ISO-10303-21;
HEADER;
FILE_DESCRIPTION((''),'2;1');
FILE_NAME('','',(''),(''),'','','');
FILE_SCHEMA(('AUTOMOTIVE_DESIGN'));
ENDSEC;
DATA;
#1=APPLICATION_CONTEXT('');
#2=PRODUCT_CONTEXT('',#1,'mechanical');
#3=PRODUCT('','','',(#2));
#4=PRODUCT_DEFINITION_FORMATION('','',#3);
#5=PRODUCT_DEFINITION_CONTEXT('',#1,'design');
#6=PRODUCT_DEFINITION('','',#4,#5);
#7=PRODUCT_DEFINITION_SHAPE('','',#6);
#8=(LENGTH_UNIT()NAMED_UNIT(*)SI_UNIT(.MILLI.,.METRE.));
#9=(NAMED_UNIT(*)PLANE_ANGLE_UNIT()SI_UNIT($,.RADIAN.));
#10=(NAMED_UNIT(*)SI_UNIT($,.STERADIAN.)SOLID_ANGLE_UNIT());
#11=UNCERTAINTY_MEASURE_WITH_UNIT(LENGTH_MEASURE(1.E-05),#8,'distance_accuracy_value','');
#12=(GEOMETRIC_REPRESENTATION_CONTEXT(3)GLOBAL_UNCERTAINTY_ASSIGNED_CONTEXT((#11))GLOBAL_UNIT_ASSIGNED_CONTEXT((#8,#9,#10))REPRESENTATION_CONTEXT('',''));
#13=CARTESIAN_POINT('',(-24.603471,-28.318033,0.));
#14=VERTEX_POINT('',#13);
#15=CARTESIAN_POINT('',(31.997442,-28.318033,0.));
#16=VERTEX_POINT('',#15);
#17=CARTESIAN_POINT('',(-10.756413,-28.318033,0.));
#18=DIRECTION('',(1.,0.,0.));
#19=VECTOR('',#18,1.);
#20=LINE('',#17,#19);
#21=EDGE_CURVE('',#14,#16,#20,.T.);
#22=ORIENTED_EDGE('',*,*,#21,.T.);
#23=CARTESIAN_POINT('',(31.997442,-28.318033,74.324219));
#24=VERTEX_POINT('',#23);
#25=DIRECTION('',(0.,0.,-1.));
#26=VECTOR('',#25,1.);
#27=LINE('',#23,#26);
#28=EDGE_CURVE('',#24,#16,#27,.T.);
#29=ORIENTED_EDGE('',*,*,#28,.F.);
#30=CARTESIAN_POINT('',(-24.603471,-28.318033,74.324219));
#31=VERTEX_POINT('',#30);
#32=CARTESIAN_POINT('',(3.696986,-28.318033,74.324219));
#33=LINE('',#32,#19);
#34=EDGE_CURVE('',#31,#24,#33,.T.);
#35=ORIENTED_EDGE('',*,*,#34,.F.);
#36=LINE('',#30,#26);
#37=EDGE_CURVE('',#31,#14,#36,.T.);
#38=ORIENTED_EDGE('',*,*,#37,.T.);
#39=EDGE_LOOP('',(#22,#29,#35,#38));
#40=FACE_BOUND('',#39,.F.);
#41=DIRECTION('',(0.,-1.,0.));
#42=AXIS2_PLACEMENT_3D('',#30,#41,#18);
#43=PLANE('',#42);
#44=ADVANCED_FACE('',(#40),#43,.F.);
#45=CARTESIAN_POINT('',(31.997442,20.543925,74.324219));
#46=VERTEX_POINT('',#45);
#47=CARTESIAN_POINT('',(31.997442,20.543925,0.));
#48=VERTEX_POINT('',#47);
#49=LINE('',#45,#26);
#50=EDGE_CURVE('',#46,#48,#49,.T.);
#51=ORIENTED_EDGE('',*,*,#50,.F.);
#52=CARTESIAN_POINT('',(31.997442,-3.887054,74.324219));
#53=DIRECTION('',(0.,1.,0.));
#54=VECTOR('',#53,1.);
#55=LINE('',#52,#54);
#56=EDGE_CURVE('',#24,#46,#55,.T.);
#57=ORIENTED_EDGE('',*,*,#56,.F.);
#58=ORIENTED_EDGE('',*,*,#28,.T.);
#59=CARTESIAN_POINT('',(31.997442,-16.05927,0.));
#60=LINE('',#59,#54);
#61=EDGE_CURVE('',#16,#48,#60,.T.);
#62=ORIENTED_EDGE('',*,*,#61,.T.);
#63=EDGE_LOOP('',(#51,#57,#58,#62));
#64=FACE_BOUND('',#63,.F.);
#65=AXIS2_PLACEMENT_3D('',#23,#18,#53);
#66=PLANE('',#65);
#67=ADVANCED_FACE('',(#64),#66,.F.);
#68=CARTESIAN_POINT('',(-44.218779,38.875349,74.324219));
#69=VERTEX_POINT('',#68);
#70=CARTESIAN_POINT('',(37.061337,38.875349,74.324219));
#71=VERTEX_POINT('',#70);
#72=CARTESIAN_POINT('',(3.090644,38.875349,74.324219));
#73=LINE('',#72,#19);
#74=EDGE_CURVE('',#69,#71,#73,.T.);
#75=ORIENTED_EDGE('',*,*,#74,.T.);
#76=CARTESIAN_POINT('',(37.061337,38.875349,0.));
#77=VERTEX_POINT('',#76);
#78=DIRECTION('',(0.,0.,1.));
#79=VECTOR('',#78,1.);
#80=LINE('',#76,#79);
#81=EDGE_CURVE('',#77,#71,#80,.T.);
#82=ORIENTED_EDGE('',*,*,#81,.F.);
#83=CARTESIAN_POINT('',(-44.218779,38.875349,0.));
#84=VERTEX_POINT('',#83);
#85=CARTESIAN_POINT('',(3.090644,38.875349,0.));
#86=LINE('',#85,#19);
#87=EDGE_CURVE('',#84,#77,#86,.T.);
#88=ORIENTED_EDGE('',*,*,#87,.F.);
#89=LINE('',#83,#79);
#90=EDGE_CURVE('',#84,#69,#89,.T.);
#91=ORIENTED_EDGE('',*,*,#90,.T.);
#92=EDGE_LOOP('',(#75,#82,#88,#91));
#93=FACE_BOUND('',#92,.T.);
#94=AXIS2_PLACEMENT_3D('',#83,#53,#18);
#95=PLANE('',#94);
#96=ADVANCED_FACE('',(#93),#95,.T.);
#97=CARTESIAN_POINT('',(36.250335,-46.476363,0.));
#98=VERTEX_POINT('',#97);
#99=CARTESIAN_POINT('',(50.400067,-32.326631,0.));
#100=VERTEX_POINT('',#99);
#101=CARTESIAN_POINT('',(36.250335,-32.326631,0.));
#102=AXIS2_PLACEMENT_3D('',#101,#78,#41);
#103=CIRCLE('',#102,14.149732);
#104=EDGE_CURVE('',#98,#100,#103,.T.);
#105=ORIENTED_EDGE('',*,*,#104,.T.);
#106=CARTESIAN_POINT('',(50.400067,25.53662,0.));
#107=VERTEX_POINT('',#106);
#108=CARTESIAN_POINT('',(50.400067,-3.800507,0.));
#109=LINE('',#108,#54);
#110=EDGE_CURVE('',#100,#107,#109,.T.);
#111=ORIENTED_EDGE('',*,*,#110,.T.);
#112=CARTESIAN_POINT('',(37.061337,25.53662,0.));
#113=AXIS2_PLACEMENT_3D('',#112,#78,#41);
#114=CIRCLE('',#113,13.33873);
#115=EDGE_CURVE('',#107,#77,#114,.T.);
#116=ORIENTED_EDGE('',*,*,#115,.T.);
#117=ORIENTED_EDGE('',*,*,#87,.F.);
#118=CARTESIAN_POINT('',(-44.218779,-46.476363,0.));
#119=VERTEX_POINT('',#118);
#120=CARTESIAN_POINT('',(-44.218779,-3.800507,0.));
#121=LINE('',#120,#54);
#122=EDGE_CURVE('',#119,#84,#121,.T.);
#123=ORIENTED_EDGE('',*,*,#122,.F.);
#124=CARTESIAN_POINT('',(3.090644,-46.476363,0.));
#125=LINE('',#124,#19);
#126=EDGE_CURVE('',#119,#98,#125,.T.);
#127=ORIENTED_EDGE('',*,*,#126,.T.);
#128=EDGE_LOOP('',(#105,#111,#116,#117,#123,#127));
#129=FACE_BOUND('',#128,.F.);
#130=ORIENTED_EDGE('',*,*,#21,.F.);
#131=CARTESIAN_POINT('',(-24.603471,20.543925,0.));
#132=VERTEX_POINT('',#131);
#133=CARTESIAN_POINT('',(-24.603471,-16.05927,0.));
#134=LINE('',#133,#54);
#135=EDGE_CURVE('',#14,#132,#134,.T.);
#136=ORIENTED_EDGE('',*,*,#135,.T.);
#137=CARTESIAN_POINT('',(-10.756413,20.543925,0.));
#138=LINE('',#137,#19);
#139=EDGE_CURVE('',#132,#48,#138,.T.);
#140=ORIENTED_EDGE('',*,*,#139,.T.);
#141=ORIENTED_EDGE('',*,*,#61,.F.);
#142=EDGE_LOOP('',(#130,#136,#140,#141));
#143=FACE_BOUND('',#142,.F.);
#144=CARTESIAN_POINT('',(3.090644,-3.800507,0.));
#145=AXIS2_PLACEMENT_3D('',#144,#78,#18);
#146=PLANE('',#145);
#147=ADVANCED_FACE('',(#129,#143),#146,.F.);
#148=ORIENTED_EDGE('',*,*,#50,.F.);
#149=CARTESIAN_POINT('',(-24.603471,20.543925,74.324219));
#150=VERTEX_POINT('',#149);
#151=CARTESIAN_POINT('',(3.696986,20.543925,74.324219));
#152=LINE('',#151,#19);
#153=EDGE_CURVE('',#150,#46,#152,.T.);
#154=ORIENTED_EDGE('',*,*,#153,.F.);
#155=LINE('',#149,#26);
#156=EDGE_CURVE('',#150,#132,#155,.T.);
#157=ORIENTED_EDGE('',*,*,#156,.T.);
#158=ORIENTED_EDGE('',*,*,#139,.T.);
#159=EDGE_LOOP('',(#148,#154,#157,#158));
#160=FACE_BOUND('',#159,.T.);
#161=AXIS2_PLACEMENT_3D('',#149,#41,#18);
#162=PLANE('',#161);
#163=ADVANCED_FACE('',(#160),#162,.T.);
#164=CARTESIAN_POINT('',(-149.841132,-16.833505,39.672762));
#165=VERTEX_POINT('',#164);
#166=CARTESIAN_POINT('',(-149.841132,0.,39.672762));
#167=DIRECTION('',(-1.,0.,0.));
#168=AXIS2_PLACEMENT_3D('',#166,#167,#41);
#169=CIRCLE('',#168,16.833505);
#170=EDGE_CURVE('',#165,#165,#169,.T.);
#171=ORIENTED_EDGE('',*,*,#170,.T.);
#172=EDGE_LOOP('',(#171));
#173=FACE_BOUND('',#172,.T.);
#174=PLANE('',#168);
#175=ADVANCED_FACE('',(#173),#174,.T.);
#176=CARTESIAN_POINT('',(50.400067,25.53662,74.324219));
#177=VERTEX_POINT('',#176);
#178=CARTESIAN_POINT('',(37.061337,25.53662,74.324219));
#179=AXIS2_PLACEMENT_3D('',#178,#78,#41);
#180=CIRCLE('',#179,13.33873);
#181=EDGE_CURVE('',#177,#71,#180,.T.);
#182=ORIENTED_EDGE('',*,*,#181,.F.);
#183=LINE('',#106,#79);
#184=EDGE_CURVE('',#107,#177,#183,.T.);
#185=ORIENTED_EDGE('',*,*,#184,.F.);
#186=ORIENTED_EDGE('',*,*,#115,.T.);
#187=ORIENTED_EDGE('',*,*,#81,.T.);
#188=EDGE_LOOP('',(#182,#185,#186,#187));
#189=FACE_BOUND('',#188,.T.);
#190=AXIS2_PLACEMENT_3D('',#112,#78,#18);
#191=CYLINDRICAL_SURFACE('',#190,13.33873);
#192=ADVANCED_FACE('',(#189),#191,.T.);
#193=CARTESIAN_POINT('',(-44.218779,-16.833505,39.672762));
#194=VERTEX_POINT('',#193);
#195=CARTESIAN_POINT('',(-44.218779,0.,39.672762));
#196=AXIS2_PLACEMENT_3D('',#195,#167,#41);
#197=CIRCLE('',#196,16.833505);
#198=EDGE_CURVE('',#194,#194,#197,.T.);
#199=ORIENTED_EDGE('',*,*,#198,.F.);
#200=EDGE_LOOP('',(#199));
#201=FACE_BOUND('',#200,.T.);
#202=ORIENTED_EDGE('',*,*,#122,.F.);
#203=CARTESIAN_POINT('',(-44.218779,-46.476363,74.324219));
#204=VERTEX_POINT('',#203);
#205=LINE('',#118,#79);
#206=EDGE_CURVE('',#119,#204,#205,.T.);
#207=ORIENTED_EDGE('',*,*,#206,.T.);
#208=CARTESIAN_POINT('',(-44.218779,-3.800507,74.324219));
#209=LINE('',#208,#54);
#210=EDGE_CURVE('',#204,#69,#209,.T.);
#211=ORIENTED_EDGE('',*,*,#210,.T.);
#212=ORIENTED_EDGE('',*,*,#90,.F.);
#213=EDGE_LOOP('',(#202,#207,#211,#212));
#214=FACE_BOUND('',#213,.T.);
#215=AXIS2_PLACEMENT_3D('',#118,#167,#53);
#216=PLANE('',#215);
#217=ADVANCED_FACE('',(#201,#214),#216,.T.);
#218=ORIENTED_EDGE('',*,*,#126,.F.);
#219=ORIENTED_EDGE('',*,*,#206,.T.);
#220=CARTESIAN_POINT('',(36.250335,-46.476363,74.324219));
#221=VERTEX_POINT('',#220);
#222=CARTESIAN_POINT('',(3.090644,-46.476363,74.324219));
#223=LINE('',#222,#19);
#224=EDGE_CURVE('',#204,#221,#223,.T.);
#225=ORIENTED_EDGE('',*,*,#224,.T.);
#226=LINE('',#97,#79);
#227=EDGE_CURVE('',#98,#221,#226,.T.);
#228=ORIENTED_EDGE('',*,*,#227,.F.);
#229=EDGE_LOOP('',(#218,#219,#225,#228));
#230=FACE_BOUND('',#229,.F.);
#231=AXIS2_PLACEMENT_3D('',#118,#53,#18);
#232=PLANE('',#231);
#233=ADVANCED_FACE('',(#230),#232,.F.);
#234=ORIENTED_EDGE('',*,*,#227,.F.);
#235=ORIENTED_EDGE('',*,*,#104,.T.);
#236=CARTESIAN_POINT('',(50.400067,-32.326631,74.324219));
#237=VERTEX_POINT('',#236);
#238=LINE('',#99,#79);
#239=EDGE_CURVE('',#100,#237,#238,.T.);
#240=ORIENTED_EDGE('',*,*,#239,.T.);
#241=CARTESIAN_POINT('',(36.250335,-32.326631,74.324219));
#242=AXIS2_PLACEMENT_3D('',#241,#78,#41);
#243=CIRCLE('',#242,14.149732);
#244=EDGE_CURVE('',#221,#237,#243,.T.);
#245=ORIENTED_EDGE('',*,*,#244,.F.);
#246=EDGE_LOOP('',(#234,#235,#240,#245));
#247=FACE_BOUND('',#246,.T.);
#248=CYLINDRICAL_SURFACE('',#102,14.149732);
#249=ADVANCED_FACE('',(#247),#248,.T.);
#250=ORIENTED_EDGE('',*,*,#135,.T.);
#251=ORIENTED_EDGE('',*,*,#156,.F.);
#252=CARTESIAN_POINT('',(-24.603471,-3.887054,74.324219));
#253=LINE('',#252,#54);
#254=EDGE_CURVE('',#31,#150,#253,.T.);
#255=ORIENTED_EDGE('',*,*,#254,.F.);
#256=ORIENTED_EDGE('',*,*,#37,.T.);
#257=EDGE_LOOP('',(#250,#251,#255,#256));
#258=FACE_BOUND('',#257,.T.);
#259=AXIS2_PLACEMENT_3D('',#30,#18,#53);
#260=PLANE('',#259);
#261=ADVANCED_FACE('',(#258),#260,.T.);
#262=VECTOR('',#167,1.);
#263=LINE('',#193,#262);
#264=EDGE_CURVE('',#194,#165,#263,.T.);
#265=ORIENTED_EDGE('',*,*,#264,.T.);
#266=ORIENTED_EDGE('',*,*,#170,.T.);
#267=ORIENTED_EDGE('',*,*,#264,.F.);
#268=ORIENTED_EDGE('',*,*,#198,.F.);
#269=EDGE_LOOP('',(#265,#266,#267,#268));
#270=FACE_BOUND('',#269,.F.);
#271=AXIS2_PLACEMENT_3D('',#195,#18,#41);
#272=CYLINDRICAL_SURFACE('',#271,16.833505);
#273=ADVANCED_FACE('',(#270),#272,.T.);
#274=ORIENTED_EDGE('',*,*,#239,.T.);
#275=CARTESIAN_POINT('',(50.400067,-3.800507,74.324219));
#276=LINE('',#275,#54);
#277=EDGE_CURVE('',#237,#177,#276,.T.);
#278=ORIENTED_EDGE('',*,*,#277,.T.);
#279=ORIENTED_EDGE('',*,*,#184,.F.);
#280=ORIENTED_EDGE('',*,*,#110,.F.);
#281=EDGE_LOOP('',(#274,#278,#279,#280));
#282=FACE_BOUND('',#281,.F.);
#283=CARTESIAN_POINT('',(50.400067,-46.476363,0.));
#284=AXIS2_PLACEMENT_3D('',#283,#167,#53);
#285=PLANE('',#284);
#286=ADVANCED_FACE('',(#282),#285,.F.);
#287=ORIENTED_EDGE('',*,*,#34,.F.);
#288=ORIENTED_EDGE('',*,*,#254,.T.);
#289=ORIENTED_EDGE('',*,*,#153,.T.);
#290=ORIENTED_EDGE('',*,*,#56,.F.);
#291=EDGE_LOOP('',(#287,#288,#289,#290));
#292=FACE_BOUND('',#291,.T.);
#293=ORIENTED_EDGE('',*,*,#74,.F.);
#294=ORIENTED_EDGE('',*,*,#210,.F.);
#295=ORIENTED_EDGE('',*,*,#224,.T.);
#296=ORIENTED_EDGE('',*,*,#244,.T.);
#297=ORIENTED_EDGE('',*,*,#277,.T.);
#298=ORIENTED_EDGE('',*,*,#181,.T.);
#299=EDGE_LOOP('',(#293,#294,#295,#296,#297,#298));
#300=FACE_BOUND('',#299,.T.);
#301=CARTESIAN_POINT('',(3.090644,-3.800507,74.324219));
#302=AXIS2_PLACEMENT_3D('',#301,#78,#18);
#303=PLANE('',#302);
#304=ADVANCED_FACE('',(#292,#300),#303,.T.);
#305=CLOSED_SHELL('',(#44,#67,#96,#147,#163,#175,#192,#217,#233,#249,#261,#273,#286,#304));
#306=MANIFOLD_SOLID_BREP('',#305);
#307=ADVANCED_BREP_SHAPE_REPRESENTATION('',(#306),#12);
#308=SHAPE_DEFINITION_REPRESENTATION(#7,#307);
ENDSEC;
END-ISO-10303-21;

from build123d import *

# Parameters (mm, degrees)
F0_W     = 94.618846
F0_H     = 85.351713
F1_DEPTH = 74.324219
F2_W     = 56.600913
F2_H     = 48.861958
F3_DEPTH = 132.836582
F4_R     = 16.833505
F5_DEPTH = 105.622353
F6_R     = 14.149732
F7_R     = 13.33873


with BuildPart() as f1:
    # F0 (on Top) → F1 (new body)
    with BuildSketch(Plane.XY):
        with Locations((3.090644, -3.800507)):
            Rectangle(F0_W, F0_H)
    extrude(amount=F1_DEPTH)

    # F2 (on face) → F3 (cut)
    with BuildSketch(Plane.XY.offset(74.324219)):
        with Locations((3.696986, -3.887054)):
            Rectangle(F2_W, F2_H)
    extrude(amount=-F3_DEPTH, mode=Mode.SUBTRACT)

    # F4 (on face) → F5 (join)
    with BuildSketch(Plane(origin=(-44.218779, 0, 0), x_dir=(0, -1, 0), z_dir=(-1, 0, 0))):
        with Locations((0, 39.672762)):
            Circle(F4_R)
    extrude(amount=F5_DEPTH)

    # F6
    f6_edges = [f1.edges().sort_by_distance(p)[0] for p in [
        (50.400067, -46.476364, 37.162109),
    ]]
    fillet(f6_edges, radius=F6_R)

    # F7
    f7_edges = [f1.edges().sort_by_distance(p)[0] for p in [
        (50.400067, 38.875349, 37.162109),
    ]]
    fillet(f7_edges, radius=F7_R)


solid = f1.part
